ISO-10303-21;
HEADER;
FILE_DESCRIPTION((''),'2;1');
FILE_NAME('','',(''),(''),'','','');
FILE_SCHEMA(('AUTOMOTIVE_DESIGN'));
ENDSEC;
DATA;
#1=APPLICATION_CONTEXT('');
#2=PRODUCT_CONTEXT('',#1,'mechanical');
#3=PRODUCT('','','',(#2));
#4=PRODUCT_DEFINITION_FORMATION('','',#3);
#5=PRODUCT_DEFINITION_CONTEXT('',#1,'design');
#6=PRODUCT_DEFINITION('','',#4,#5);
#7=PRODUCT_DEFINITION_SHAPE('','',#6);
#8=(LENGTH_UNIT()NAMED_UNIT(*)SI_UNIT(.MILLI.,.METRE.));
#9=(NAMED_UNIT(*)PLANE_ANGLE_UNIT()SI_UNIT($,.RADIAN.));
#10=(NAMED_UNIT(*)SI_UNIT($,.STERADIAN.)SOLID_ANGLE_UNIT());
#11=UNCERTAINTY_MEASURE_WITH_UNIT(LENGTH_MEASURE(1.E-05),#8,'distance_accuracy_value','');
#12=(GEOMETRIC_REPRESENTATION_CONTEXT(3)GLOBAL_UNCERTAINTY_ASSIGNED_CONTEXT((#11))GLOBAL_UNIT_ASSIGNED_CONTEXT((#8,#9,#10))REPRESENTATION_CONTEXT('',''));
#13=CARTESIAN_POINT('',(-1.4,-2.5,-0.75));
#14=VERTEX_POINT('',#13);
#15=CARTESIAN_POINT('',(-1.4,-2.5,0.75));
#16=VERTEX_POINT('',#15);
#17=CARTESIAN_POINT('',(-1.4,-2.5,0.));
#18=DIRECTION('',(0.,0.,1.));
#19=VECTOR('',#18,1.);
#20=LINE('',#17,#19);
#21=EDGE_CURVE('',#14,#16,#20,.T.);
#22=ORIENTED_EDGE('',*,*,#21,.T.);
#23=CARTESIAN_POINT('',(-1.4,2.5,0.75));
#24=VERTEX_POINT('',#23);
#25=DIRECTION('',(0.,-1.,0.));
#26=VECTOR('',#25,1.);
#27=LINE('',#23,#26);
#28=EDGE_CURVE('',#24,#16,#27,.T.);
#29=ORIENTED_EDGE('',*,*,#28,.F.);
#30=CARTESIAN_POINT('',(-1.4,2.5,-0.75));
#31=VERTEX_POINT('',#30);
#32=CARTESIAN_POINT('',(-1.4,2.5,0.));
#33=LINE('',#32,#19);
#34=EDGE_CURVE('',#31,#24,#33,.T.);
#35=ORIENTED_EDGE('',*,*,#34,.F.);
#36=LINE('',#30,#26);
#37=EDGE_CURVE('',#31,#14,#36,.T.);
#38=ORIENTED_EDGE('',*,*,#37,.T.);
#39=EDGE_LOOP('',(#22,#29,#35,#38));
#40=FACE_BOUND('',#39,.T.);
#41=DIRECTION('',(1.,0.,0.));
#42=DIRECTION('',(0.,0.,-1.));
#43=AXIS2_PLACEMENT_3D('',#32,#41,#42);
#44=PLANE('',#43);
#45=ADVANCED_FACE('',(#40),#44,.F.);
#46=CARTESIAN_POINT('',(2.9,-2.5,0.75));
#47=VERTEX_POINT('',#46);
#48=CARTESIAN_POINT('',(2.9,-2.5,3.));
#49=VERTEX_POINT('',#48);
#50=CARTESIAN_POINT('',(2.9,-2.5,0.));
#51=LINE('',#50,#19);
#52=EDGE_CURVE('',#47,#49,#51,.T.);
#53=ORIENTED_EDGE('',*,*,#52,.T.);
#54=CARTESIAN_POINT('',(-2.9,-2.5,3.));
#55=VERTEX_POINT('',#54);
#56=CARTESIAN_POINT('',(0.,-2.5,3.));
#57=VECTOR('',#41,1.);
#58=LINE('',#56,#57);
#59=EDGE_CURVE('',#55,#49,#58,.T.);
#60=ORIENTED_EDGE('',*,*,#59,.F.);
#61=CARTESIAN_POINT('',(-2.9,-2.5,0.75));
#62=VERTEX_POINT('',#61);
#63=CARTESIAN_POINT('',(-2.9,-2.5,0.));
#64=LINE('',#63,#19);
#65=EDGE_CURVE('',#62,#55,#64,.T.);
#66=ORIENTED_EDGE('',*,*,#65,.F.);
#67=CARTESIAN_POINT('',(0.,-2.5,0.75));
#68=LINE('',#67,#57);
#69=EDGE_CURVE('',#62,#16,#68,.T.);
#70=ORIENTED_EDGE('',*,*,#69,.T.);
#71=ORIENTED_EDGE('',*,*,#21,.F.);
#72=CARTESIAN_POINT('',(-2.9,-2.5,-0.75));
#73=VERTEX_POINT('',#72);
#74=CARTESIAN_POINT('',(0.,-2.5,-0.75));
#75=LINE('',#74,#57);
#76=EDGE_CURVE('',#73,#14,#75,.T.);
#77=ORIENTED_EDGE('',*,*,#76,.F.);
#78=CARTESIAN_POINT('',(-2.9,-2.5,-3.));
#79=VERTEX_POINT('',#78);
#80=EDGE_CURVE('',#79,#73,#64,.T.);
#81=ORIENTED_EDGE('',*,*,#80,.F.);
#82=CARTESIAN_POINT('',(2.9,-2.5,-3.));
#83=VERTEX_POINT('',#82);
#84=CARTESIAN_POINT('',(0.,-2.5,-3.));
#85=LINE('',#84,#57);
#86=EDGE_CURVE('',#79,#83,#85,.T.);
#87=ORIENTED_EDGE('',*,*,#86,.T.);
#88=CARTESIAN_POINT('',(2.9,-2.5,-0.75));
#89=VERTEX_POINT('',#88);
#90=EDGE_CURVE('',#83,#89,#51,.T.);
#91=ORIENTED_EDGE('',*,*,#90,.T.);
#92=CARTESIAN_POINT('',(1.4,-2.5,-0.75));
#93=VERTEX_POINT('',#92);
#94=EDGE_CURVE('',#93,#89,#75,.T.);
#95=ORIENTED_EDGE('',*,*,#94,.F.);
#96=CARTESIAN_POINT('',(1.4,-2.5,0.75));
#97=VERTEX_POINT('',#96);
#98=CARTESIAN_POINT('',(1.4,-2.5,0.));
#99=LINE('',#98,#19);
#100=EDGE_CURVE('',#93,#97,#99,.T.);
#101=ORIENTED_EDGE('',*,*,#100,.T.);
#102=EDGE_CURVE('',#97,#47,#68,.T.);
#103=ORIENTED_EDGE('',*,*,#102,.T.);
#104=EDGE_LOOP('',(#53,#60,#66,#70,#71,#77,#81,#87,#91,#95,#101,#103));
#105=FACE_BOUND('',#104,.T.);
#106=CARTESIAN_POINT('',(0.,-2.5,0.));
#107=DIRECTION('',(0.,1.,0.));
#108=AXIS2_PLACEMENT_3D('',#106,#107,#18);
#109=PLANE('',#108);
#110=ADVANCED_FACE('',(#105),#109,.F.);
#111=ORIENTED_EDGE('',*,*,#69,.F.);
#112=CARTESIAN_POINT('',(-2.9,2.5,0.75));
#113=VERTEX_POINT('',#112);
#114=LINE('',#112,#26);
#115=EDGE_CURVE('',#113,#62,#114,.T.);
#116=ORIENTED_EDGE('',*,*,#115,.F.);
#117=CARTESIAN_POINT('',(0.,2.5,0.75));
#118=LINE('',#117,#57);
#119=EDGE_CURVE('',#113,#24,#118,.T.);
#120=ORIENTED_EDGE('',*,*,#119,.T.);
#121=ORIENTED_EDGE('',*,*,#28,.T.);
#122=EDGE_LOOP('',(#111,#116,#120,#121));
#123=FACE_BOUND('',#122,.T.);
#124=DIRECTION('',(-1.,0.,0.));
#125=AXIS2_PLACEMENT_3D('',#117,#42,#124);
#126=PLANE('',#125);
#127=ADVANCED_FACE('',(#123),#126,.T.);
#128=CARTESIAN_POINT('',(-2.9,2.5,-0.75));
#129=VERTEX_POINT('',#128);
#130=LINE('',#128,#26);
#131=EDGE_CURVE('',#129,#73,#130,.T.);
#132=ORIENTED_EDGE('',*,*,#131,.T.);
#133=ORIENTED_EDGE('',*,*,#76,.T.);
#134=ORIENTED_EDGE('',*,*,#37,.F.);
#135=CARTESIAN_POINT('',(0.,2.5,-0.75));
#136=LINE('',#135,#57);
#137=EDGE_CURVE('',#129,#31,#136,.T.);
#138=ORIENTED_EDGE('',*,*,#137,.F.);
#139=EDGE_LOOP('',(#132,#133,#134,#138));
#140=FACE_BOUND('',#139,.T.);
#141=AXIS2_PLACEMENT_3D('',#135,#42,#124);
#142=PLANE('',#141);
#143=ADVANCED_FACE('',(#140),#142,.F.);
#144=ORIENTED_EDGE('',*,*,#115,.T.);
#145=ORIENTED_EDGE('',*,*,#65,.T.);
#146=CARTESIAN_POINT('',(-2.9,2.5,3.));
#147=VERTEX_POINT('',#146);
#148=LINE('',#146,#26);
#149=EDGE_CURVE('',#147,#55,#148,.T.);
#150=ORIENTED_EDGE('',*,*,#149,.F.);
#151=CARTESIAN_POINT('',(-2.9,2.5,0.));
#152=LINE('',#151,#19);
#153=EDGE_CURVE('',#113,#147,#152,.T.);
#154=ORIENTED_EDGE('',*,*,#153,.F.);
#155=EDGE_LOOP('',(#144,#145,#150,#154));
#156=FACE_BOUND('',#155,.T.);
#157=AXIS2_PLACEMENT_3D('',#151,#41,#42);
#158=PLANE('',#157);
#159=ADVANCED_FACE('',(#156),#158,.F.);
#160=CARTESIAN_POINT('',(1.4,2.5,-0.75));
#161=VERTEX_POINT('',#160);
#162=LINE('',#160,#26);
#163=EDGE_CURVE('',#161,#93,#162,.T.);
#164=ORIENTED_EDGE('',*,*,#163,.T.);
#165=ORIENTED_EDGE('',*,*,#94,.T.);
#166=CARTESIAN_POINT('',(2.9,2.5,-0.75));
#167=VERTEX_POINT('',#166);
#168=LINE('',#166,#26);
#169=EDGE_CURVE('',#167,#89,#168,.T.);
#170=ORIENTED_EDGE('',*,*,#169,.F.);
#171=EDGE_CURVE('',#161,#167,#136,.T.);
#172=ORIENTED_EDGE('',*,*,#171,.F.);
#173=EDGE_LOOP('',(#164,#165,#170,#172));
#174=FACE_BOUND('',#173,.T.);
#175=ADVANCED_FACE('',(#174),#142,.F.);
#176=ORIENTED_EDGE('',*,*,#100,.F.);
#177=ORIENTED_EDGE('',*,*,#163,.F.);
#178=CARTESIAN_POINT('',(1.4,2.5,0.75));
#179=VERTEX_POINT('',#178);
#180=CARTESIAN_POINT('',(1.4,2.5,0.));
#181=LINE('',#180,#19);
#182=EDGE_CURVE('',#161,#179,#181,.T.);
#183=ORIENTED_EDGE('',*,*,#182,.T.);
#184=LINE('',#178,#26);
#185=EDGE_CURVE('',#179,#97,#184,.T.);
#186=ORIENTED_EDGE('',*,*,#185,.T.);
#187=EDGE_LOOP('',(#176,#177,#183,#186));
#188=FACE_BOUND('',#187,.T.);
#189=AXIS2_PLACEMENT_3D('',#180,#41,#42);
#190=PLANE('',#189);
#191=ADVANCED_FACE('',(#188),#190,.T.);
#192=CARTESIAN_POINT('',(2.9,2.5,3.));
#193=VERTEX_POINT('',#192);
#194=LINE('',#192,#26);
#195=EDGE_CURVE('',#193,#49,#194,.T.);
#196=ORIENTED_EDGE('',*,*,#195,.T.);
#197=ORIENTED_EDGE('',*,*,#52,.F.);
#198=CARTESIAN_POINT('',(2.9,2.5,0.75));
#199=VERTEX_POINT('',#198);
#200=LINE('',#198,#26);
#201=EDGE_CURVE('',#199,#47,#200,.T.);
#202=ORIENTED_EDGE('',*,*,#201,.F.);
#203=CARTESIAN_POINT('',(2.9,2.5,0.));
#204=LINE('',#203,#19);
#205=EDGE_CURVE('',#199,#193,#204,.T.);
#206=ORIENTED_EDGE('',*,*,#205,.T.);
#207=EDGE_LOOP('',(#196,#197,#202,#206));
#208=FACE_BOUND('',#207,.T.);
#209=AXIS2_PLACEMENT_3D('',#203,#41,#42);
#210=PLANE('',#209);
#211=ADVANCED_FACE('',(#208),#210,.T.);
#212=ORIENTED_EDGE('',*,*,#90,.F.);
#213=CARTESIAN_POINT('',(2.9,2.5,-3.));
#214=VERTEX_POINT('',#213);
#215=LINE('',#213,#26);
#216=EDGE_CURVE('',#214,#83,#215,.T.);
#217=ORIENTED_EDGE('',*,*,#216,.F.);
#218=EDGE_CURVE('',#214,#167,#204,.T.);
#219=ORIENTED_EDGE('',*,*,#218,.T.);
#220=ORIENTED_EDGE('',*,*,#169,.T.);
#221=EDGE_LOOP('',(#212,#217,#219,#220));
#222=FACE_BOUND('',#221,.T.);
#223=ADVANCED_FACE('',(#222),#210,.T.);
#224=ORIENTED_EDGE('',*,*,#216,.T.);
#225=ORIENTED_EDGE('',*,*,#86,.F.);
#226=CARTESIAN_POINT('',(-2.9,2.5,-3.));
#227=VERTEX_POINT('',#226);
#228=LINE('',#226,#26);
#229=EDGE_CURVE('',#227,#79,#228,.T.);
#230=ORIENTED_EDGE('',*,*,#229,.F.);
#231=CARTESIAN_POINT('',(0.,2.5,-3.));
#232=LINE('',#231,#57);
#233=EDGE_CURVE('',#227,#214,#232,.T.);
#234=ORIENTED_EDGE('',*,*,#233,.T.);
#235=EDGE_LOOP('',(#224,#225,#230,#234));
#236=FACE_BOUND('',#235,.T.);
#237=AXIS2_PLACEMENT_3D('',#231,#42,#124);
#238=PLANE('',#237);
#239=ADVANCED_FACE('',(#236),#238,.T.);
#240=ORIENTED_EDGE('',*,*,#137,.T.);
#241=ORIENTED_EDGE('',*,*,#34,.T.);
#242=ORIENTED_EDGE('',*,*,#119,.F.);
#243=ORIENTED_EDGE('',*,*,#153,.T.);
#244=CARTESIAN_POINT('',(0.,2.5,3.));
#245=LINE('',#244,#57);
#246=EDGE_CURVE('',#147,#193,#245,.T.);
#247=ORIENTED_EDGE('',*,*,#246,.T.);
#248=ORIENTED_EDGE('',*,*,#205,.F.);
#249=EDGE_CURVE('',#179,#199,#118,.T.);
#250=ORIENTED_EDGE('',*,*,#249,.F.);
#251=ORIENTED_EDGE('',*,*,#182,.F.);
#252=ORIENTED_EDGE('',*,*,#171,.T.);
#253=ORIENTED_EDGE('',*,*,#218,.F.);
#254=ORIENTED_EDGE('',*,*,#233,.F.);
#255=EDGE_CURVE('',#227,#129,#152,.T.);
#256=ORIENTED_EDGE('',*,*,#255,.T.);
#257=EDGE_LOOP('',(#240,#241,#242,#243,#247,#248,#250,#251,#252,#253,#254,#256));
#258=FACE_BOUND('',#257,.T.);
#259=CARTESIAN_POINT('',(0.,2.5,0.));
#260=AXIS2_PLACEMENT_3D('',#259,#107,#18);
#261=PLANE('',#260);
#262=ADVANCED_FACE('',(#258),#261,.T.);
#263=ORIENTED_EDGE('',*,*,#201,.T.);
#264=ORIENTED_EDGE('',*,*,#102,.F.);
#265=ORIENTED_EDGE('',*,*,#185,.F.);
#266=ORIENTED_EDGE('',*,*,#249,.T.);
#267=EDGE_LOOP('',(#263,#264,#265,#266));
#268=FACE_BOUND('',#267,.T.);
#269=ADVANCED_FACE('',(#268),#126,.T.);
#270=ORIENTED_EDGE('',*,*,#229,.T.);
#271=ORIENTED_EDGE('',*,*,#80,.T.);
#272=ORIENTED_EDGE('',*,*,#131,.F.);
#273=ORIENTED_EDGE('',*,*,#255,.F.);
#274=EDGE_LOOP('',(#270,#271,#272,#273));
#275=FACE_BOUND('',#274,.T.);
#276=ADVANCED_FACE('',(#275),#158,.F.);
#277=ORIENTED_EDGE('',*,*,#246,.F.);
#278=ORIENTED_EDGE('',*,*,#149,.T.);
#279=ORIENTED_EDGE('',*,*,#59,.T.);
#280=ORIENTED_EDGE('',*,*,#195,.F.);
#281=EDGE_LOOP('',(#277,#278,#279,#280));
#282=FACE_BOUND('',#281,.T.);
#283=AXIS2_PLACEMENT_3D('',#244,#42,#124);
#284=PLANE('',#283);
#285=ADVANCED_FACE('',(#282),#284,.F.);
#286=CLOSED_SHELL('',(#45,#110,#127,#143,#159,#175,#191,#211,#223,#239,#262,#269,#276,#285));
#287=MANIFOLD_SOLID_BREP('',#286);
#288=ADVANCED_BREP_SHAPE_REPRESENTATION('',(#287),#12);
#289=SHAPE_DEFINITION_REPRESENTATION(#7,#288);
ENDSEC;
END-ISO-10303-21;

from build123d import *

# Parameters (mm, degrees)
BOSS_EXTRUDE1_DEPTH = 2.5


with BuildPart() as part:
    # Sketch1 → Boss-Extrude1 (new, symmetric)
    with BuildSketch(Plane(origin=(0, 0, 0), x_dir=(1, 0, 0), z_dir=(0, 1, 0))):
        Polygon((2.9, 3), (-2.9, 3), (-2.9, 0.75), (-1.4, 0.75), (-1.4, -0.75), (-2.9, -0.75), (-2.9, -3), (2.9, -3), (2.9, -0.75), (1.4, -0.75), (1.4, 0.75), (2.9, 0.75), align=None)
    extrude(amount=BOSS_EXTRUDE1_DEPTH, both=True)


solid = part.part
